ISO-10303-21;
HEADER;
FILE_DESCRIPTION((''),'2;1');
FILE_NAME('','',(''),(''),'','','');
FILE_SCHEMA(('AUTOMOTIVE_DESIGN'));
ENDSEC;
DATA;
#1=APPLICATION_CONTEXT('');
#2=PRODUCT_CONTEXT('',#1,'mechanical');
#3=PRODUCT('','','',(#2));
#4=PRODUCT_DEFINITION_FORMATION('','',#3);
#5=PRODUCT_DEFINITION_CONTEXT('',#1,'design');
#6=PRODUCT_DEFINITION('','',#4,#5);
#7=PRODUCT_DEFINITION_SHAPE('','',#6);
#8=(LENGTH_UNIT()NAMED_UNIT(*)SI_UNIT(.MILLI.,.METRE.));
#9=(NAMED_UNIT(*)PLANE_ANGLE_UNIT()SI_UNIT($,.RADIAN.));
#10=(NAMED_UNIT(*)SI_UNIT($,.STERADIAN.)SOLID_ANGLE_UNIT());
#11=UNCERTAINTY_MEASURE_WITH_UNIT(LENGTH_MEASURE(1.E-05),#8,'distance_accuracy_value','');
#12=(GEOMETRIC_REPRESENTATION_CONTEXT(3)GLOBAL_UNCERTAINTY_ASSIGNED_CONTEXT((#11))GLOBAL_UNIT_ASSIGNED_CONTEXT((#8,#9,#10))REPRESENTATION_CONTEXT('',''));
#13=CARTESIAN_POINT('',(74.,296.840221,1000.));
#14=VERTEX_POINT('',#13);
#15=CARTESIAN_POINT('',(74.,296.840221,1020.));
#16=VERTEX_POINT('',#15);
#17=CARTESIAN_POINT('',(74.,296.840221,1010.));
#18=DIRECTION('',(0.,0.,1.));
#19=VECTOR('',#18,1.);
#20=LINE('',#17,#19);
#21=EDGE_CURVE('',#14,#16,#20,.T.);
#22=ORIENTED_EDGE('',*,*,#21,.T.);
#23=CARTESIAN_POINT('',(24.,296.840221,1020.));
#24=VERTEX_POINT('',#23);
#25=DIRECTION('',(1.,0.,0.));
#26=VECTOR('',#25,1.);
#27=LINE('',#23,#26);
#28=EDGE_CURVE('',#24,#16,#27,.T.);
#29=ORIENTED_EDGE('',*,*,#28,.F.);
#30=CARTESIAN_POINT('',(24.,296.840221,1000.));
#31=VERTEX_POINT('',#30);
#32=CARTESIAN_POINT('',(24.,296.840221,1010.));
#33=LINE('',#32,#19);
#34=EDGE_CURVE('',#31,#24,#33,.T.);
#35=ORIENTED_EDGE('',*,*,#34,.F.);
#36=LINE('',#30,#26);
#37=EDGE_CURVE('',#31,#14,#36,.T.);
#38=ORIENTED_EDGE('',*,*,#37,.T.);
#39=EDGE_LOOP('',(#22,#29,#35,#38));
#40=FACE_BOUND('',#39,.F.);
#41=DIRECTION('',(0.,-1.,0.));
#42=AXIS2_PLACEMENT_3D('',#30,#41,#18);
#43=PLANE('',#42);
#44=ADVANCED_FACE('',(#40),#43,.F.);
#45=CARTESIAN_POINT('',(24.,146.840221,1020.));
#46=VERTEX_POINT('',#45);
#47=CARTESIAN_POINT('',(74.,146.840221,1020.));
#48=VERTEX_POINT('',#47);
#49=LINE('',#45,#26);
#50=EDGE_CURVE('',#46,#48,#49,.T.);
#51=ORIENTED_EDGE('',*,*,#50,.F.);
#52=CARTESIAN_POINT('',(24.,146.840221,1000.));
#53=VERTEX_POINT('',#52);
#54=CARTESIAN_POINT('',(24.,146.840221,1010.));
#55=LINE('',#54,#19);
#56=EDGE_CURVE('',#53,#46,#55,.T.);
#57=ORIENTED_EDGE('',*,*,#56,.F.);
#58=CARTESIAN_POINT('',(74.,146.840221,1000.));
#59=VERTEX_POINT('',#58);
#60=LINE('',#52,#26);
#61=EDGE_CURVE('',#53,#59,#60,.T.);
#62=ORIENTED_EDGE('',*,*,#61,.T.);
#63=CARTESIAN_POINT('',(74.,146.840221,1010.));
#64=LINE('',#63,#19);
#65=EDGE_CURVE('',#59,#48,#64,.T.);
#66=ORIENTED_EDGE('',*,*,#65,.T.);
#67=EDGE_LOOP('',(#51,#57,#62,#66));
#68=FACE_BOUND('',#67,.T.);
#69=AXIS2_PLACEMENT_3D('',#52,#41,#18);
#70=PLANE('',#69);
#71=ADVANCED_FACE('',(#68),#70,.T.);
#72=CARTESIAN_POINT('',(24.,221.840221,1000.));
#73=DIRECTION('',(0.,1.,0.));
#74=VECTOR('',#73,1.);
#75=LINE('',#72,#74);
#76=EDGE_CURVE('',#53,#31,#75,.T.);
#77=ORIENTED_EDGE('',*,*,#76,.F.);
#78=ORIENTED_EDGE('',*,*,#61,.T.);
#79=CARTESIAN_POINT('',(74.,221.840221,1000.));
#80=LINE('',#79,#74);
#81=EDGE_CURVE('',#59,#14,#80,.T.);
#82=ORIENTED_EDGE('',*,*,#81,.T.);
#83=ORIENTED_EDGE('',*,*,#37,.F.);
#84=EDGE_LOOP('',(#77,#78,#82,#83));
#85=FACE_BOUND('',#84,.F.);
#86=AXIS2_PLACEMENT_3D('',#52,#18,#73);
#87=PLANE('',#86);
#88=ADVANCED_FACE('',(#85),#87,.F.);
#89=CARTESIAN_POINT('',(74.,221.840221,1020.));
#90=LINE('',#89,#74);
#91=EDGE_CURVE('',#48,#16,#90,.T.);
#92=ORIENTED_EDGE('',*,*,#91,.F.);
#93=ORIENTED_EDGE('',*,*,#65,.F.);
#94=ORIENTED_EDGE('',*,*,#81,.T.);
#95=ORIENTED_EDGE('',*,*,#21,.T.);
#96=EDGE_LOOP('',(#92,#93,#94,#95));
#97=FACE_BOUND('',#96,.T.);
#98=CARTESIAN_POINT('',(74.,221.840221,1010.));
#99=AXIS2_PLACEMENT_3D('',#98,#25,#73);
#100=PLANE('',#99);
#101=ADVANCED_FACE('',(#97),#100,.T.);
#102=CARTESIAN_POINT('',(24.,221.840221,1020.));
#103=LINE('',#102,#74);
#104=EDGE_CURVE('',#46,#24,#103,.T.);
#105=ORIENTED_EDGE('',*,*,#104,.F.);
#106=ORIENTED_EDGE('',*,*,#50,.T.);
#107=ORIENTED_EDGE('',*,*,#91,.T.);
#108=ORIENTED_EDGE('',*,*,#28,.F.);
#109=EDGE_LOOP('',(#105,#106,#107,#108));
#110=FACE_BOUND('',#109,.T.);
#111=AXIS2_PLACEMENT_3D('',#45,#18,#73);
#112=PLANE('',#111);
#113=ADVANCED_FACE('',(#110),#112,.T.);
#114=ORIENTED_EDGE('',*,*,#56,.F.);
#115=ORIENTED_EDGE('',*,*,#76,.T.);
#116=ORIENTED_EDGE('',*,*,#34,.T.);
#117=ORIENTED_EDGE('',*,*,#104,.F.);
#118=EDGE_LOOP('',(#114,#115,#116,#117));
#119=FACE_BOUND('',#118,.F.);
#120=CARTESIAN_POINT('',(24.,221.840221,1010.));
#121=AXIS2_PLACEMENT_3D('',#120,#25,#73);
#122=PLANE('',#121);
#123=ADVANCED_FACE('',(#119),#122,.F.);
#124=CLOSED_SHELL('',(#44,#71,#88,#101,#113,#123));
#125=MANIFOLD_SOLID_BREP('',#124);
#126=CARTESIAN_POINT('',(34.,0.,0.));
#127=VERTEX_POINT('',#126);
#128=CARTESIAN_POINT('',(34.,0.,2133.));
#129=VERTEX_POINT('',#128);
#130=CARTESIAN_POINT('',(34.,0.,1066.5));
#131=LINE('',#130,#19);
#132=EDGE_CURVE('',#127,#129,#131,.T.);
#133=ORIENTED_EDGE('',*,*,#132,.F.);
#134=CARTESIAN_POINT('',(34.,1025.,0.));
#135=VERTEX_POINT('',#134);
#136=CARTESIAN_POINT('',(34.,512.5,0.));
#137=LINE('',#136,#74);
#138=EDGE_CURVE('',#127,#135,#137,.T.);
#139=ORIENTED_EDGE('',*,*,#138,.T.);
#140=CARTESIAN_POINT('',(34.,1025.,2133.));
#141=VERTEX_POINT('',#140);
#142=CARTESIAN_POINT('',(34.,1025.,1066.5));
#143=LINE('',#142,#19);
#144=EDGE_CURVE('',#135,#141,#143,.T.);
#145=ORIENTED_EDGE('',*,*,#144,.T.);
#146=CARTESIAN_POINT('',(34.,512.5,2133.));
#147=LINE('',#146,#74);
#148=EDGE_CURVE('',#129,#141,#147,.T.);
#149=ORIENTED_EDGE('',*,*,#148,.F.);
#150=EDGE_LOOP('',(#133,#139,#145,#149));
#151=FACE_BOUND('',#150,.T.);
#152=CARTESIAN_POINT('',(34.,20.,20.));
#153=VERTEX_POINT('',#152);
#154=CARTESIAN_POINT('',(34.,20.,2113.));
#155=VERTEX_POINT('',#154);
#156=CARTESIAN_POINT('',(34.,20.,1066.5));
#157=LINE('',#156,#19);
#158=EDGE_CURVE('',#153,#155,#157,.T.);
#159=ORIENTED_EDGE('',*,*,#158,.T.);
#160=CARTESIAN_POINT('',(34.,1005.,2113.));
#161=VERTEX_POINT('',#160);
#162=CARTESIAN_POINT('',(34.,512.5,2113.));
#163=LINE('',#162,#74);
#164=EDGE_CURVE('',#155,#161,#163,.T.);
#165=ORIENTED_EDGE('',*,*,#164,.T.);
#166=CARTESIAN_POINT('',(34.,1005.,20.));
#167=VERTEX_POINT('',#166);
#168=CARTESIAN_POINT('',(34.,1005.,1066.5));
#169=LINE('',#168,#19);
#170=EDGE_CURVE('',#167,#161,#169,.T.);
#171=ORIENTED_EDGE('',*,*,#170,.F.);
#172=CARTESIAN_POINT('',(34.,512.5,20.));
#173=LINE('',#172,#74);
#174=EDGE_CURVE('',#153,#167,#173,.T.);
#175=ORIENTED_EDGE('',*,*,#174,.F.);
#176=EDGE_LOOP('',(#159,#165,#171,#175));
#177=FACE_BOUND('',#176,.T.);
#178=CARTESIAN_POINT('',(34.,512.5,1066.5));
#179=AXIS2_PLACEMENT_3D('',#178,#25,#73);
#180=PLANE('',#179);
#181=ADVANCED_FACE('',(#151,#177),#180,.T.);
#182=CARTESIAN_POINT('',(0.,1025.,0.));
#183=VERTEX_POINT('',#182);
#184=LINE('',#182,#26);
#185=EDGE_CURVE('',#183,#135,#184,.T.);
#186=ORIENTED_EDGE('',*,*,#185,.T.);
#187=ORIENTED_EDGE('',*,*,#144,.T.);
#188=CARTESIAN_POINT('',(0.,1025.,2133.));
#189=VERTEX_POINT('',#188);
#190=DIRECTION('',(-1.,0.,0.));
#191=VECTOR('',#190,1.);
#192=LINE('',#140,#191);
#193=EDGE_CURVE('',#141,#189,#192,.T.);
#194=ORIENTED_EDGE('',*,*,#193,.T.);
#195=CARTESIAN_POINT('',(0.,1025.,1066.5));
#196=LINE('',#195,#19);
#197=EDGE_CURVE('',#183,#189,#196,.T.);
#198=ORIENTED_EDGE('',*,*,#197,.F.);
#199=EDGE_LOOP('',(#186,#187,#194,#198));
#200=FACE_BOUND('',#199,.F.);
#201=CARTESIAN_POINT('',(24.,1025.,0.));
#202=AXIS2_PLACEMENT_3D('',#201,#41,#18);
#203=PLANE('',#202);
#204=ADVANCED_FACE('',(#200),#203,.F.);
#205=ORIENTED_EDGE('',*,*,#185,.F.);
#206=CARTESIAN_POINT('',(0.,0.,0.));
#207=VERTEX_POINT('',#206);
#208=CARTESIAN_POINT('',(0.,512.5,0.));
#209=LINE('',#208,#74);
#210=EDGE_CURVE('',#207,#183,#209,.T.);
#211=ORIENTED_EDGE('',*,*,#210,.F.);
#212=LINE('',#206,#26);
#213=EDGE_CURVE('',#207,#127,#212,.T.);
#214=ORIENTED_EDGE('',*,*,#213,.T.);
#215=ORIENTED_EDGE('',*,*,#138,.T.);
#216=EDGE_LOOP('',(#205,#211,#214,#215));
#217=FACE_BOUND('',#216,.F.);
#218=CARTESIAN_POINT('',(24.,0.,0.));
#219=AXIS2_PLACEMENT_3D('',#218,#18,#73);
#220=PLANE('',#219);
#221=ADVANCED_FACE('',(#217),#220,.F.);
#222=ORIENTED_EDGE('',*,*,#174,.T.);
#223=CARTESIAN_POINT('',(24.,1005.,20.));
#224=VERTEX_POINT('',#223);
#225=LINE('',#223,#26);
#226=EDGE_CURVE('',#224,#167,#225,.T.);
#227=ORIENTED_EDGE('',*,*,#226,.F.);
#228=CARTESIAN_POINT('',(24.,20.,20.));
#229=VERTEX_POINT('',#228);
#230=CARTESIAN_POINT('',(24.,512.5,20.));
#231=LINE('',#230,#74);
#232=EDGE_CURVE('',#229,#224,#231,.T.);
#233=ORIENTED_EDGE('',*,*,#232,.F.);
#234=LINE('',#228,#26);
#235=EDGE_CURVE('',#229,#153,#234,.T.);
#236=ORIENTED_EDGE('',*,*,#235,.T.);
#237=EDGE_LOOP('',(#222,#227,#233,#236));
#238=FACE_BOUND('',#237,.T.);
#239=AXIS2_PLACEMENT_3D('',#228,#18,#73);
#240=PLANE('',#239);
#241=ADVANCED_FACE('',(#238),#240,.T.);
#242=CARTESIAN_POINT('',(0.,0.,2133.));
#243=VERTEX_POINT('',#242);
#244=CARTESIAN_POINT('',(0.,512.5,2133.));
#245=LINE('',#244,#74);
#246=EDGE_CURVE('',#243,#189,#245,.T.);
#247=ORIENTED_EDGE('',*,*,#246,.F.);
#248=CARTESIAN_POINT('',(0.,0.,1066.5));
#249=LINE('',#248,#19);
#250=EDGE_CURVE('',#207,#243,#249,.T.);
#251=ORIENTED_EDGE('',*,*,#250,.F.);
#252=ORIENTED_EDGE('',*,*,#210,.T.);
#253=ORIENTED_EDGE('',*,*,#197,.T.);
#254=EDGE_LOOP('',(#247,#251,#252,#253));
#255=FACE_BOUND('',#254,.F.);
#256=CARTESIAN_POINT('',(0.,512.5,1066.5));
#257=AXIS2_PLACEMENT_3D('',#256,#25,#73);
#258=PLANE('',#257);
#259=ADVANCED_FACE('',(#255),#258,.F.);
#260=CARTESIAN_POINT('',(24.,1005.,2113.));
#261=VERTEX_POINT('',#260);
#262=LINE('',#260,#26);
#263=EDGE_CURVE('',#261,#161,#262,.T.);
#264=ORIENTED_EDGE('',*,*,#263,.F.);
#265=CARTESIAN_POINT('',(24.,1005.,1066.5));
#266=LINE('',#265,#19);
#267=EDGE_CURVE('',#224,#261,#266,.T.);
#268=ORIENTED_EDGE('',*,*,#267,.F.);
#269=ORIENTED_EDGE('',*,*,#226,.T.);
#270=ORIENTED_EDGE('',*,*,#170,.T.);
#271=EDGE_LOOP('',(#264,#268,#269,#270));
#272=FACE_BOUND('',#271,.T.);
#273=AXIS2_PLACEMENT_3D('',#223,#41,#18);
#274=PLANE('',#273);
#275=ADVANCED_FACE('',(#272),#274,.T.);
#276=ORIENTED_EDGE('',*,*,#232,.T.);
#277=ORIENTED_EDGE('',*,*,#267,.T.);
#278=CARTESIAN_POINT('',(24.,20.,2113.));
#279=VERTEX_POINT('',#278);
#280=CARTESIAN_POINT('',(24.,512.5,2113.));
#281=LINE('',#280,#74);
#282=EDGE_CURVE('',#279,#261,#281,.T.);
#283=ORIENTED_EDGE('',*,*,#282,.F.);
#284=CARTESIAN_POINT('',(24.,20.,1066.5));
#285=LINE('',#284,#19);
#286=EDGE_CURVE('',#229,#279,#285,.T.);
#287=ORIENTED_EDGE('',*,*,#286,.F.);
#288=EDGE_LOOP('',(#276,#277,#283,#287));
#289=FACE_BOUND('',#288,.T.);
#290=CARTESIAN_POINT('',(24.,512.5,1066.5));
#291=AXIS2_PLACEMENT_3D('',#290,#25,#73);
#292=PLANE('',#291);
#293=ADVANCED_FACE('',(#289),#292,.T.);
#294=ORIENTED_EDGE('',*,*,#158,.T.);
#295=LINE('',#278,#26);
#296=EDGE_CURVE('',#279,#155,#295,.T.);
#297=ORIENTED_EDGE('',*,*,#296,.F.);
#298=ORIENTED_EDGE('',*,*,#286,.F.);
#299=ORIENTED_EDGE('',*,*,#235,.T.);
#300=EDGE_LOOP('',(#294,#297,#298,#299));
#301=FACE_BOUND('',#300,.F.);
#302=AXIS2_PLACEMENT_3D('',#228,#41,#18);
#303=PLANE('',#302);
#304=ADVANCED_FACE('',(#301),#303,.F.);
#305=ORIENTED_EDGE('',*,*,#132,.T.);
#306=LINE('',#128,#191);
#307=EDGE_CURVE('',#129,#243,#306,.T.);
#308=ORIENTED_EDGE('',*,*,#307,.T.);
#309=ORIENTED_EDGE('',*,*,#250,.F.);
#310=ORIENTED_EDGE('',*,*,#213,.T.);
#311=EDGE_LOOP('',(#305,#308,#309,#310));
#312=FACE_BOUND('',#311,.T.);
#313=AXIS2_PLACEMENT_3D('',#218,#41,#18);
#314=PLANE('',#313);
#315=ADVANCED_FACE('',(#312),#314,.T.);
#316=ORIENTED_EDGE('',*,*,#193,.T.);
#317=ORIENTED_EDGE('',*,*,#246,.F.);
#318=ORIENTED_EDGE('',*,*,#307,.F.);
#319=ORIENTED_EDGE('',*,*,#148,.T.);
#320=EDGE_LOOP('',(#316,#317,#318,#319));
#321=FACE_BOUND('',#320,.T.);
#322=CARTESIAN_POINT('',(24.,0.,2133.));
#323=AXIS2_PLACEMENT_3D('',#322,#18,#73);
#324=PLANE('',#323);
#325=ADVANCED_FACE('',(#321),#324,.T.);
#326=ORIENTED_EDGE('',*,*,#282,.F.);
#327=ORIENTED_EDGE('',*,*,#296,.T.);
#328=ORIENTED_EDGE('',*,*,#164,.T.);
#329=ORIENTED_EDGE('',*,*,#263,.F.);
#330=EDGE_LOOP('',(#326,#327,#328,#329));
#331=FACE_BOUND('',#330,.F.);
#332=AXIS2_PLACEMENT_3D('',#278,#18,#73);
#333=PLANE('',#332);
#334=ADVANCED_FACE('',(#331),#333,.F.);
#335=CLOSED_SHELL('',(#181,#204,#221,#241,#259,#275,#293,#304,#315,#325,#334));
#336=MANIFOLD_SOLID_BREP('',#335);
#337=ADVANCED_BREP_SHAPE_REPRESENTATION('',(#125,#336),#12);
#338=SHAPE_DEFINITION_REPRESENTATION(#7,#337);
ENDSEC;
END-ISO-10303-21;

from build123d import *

# Parameters (mm, degrees)
F0_W     = 1025
F0_H     = 2133
F1_DEPTH = 24
F2_W     = 150
F2_H     = 20
F3_DEPTH = 50
F4_W     = 1025
F4_H     = 2133
F4_W_2   = 985
F4_H_2   = 2093
F5_DEPTH = 10


with BuildPart() as f1:
    # F0 (on Right) → F1 (new body)
    with BuildSketch(Plane.YZ):
        with Locations((512.5, 1066.5)):
            Rectangle(F0_W, F0_H)
    extrude(amount=F1_DEPTH)

    # F4 (on face) → F5 (join)
    with BuildSketch(Plane.YZ.offset(24)):
        with Locations((512.5, 1066.5)):
            Rectangle(F4_W, F4_H)
        with Locations((512.5, 1066.5)):
            Rectangle(F4_W_2, F4_H_2, mode=Mode.SUBTRACT)
    extrude(amount=F5_DEPTH)


with BuildPart() as f3:
    # F2 (on face) → F3 (new body)
    with BuildSketch(Plane.YZ.offset(24)):
        with Locations((221.840221, 1010)):
            Rectangle(F2_W, F2_H)
    extrude(amount=F3_DEPTH)


solid = Compound([f1.part, f3.part])
